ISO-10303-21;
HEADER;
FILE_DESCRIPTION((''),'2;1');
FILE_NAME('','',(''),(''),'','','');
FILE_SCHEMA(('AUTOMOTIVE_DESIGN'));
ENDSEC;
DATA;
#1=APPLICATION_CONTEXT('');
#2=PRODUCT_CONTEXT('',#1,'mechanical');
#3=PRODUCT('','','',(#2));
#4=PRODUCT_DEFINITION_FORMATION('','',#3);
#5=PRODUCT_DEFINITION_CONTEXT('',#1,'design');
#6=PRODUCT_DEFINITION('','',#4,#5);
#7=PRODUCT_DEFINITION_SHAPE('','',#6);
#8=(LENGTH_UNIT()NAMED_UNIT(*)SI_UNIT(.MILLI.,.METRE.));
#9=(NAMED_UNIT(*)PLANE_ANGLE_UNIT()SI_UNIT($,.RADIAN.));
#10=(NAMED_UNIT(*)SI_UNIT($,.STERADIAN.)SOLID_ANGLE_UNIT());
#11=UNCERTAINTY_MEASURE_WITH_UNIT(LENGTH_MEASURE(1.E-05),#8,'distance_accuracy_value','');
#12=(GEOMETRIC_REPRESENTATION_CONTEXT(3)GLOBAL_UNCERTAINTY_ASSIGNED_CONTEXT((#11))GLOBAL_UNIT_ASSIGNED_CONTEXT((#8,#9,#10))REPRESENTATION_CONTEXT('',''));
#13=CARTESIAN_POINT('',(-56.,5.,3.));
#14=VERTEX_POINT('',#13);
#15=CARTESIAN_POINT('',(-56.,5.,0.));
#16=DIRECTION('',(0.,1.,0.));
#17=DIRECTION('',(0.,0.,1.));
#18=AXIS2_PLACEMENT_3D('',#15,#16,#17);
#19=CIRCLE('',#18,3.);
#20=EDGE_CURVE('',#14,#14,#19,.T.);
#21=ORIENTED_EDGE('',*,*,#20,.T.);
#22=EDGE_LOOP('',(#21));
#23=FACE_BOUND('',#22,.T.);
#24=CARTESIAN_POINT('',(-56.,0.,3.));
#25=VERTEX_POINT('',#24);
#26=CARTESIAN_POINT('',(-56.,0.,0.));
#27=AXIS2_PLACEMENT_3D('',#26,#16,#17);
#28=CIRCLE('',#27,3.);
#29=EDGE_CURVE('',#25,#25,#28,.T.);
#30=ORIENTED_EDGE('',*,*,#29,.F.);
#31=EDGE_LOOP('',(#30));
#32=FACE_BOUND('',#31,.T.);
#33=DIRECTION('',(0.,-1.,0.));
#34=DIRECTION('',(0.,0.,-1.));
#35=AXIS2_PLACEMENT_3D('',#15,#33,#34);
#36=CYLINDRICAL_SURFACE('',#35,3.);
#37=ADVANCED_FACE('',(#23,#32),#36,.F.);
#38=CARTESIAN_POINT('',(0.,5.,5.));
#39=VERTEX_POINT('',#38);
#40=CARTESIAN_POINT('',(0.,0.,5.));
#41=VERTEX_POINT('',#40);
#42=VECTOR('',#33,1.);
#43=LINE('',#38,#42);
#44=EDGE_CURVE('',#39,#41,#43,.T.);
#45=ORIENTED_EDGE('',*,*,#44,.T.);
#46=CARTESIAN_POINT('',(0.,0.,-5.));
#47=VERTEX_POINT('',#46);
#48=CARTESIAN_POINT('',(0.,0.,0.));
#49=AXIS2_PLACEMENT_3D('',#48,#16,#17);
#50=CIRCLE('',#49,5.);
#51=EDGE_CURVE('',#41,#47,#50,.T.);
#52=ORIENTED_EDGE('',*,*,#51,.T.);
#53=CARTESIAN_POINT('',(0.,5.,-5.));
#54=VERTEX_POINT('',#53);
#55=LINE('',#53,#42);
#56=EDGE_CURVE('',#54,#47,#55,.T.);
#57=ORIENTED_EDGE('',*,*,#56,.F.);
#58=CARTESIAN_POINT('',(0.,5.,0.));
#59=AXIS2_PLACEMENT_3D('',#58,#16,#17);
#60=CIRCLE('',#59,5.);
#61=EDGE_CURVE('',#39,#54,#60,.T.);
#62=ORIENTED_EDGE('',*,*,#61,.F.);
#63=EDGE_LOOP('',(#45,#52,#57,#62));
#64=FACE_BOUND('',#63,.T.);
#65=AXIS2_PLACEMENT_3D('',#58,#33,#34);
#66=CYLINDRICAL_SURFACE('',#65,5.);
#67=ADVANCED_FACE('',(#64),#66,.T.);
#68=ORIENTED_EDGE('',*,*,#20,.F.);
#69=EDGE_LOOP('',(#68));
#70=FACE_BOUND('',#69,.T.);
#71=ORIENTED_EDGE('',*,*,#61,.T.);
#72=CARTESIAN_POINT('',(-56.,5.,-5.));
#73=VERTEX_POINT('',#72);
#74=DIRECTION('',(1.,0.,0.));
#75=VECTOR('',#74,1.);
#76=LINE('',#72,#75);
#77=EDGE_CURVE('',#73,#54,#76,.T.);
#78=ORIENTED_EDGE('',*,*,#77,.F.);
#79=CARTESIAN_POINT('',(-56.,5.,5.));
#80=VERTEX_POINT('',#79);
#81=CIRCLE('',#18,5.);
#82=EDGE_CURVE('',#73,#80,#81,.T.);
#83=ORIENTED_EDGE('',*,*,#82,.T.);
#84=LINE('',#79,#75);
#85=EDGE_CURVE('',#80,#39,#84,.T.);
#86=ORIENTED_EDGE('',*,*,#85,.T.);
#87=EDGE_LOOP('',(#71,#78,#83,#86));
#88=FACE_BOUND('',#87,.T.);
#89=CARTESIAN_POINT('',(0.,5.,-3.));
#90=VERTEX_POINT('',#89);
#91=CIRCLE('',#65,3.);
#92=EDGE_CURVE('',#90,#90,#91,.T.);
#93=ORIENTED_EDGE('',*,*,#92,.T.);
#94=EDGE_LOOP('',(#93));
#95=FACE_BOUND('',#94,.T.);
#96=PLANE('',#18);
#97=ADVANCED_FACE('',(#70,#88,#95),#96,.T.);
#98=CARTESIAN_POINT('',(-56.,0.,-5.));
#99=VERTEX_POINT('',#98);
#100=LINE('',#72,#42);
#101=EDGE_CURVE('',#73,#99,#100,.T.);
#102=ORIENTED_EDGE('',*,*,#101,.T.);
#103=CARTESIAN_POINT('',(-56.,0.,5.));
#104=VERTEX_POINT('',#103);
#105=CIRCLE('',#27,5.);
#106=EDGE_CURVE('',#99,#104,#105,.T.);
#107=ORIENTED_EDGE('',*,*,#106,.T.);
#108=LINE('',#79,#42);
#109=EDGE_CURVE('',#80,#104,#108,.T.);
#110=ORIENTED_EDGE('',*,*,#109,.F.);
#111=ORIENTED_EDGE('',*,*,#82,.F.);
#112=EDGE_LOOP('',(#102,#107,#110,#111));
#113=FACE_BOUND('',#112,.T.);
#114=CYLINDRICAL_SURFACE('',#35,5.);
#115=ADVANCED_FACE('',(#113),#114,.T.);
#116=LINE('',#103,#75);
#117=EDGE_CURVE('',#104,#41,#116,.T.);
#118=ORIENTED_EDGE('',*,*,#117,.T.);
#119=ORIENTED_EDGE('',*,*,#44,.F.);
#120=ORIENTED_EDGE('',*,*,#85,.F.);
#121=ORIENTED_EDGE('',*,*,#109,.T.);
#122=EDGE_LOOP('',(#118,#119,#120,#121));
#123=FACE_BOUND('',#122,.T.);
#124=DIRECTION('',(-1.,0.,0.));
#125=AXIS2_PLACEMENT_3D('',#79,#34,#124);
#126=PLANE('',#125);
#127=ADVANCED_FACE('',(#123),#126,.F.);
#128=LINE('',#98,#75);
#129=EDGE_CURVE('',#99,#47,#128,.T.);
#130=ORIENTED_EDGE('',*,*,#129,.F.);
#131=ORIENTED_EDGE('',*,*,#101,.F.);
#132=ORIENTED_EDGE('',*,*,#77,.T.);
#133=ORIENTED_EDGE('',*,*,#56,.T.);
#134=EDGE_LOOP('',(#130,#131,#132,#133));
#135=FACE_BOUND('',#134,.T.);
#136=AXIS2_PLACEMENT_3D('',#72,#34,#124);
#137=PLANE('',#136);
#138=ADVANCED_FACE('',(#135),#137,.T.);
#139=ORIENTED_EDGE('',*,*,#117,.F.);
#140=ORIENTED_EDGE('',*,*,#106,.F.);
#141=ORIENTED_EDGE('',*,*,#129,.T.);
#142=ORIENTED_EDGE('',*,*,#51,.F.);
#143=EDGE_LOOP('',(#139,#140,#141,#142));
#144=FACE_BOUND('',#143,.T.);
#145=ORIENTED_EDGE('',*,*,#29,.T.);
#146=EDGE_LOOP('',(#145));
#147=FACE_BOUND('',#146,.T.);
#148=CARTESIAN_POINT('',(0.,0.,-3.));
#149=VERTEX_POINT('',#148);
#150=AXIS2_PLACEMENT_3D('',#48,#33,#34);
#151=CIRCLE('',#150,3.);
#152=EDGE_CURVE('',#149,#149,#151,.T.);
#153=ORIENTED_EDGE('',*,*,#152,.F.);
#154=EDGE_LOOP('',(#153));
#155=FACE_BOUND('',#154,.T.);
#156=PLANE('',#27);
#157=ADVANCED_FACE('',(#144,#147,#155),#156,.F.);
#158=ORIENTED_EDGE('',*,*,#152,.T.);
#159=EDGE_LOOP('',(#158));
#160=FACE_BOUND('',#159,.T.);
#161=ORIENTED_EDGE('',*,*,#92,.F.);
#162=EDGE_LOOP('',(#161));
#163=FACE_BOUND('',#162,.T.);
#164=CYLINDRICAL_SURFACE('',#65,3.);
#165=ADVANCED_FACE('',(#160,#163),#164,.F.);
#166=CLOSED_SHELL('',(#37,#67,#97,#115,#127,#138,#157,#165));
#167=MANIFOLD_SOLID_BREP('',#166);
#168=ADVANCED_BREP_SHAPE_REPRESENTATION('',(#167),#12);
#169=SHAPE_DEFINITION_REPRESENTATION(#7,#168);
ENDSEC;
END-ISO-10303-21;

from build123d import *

# Parameters (mm, degrees)
BOSS_EXTRUDE3_DEPTH = 5
SKETCH1_8_R         = 3
CUT_EXTRUDE2_DEPTH  = 6
SKETCH1_9_R         = 3
CUT_EXTRUDE3_DEPTH  = 6


with BuildPart() as part:
    # Sketch1 → Boss-Extrude3 (new body)
    with BuildSketch(Plane(origin=(0, 0, 0), x_dir=(1, 0, 0), z_dir=(0, 1, 0))):
        with BuildLine():
            Line((-56, 5), (0, 5))
            ThreePointArc((0, 5), (5, 0), (0, -5))
            Line((0, -5), (-56, -5))
            ThreePointArc((-56, -5), (-61, 0), (-56, 5))
        make_face()
    extrude(amount=BOSS_EXTRUDE3_DEPTH)

    # Sketch1_8 → Cut-Extrude2 (cut, through all)
    with BuildSketch(Plane(origin=(0, 0, 0), x_dir=(1, 0, 0), z_dir=(0, 1, 0))):
        with Locations(Location((-56, 0, 0), (0, 0, 270))):  # turned: the seam where the file's is
            Circle(SKETCH1_8_R)
    extrude(amount=CUT_EXTRUDE2_DEPTH, mode=Mode.SUBTRACT)

    # Sketch1_9 → Cut-Extrude3 (cut, through all)
    with BuildSketch(Plane(origin=(0, 0, 0), x_dir=(1, 0, 0), z_dir=(0, 1, 0))):
        with Locations(Location((0, 0, 0), (0, 0, 90))):  # turned: the seam where the file's is
            Circle(SKETCH1_9_R)
    extrude(amount=CUT_EXTRUDE3_DEPTH, mode=Mode.SUBTRACT)


solid = part.part
